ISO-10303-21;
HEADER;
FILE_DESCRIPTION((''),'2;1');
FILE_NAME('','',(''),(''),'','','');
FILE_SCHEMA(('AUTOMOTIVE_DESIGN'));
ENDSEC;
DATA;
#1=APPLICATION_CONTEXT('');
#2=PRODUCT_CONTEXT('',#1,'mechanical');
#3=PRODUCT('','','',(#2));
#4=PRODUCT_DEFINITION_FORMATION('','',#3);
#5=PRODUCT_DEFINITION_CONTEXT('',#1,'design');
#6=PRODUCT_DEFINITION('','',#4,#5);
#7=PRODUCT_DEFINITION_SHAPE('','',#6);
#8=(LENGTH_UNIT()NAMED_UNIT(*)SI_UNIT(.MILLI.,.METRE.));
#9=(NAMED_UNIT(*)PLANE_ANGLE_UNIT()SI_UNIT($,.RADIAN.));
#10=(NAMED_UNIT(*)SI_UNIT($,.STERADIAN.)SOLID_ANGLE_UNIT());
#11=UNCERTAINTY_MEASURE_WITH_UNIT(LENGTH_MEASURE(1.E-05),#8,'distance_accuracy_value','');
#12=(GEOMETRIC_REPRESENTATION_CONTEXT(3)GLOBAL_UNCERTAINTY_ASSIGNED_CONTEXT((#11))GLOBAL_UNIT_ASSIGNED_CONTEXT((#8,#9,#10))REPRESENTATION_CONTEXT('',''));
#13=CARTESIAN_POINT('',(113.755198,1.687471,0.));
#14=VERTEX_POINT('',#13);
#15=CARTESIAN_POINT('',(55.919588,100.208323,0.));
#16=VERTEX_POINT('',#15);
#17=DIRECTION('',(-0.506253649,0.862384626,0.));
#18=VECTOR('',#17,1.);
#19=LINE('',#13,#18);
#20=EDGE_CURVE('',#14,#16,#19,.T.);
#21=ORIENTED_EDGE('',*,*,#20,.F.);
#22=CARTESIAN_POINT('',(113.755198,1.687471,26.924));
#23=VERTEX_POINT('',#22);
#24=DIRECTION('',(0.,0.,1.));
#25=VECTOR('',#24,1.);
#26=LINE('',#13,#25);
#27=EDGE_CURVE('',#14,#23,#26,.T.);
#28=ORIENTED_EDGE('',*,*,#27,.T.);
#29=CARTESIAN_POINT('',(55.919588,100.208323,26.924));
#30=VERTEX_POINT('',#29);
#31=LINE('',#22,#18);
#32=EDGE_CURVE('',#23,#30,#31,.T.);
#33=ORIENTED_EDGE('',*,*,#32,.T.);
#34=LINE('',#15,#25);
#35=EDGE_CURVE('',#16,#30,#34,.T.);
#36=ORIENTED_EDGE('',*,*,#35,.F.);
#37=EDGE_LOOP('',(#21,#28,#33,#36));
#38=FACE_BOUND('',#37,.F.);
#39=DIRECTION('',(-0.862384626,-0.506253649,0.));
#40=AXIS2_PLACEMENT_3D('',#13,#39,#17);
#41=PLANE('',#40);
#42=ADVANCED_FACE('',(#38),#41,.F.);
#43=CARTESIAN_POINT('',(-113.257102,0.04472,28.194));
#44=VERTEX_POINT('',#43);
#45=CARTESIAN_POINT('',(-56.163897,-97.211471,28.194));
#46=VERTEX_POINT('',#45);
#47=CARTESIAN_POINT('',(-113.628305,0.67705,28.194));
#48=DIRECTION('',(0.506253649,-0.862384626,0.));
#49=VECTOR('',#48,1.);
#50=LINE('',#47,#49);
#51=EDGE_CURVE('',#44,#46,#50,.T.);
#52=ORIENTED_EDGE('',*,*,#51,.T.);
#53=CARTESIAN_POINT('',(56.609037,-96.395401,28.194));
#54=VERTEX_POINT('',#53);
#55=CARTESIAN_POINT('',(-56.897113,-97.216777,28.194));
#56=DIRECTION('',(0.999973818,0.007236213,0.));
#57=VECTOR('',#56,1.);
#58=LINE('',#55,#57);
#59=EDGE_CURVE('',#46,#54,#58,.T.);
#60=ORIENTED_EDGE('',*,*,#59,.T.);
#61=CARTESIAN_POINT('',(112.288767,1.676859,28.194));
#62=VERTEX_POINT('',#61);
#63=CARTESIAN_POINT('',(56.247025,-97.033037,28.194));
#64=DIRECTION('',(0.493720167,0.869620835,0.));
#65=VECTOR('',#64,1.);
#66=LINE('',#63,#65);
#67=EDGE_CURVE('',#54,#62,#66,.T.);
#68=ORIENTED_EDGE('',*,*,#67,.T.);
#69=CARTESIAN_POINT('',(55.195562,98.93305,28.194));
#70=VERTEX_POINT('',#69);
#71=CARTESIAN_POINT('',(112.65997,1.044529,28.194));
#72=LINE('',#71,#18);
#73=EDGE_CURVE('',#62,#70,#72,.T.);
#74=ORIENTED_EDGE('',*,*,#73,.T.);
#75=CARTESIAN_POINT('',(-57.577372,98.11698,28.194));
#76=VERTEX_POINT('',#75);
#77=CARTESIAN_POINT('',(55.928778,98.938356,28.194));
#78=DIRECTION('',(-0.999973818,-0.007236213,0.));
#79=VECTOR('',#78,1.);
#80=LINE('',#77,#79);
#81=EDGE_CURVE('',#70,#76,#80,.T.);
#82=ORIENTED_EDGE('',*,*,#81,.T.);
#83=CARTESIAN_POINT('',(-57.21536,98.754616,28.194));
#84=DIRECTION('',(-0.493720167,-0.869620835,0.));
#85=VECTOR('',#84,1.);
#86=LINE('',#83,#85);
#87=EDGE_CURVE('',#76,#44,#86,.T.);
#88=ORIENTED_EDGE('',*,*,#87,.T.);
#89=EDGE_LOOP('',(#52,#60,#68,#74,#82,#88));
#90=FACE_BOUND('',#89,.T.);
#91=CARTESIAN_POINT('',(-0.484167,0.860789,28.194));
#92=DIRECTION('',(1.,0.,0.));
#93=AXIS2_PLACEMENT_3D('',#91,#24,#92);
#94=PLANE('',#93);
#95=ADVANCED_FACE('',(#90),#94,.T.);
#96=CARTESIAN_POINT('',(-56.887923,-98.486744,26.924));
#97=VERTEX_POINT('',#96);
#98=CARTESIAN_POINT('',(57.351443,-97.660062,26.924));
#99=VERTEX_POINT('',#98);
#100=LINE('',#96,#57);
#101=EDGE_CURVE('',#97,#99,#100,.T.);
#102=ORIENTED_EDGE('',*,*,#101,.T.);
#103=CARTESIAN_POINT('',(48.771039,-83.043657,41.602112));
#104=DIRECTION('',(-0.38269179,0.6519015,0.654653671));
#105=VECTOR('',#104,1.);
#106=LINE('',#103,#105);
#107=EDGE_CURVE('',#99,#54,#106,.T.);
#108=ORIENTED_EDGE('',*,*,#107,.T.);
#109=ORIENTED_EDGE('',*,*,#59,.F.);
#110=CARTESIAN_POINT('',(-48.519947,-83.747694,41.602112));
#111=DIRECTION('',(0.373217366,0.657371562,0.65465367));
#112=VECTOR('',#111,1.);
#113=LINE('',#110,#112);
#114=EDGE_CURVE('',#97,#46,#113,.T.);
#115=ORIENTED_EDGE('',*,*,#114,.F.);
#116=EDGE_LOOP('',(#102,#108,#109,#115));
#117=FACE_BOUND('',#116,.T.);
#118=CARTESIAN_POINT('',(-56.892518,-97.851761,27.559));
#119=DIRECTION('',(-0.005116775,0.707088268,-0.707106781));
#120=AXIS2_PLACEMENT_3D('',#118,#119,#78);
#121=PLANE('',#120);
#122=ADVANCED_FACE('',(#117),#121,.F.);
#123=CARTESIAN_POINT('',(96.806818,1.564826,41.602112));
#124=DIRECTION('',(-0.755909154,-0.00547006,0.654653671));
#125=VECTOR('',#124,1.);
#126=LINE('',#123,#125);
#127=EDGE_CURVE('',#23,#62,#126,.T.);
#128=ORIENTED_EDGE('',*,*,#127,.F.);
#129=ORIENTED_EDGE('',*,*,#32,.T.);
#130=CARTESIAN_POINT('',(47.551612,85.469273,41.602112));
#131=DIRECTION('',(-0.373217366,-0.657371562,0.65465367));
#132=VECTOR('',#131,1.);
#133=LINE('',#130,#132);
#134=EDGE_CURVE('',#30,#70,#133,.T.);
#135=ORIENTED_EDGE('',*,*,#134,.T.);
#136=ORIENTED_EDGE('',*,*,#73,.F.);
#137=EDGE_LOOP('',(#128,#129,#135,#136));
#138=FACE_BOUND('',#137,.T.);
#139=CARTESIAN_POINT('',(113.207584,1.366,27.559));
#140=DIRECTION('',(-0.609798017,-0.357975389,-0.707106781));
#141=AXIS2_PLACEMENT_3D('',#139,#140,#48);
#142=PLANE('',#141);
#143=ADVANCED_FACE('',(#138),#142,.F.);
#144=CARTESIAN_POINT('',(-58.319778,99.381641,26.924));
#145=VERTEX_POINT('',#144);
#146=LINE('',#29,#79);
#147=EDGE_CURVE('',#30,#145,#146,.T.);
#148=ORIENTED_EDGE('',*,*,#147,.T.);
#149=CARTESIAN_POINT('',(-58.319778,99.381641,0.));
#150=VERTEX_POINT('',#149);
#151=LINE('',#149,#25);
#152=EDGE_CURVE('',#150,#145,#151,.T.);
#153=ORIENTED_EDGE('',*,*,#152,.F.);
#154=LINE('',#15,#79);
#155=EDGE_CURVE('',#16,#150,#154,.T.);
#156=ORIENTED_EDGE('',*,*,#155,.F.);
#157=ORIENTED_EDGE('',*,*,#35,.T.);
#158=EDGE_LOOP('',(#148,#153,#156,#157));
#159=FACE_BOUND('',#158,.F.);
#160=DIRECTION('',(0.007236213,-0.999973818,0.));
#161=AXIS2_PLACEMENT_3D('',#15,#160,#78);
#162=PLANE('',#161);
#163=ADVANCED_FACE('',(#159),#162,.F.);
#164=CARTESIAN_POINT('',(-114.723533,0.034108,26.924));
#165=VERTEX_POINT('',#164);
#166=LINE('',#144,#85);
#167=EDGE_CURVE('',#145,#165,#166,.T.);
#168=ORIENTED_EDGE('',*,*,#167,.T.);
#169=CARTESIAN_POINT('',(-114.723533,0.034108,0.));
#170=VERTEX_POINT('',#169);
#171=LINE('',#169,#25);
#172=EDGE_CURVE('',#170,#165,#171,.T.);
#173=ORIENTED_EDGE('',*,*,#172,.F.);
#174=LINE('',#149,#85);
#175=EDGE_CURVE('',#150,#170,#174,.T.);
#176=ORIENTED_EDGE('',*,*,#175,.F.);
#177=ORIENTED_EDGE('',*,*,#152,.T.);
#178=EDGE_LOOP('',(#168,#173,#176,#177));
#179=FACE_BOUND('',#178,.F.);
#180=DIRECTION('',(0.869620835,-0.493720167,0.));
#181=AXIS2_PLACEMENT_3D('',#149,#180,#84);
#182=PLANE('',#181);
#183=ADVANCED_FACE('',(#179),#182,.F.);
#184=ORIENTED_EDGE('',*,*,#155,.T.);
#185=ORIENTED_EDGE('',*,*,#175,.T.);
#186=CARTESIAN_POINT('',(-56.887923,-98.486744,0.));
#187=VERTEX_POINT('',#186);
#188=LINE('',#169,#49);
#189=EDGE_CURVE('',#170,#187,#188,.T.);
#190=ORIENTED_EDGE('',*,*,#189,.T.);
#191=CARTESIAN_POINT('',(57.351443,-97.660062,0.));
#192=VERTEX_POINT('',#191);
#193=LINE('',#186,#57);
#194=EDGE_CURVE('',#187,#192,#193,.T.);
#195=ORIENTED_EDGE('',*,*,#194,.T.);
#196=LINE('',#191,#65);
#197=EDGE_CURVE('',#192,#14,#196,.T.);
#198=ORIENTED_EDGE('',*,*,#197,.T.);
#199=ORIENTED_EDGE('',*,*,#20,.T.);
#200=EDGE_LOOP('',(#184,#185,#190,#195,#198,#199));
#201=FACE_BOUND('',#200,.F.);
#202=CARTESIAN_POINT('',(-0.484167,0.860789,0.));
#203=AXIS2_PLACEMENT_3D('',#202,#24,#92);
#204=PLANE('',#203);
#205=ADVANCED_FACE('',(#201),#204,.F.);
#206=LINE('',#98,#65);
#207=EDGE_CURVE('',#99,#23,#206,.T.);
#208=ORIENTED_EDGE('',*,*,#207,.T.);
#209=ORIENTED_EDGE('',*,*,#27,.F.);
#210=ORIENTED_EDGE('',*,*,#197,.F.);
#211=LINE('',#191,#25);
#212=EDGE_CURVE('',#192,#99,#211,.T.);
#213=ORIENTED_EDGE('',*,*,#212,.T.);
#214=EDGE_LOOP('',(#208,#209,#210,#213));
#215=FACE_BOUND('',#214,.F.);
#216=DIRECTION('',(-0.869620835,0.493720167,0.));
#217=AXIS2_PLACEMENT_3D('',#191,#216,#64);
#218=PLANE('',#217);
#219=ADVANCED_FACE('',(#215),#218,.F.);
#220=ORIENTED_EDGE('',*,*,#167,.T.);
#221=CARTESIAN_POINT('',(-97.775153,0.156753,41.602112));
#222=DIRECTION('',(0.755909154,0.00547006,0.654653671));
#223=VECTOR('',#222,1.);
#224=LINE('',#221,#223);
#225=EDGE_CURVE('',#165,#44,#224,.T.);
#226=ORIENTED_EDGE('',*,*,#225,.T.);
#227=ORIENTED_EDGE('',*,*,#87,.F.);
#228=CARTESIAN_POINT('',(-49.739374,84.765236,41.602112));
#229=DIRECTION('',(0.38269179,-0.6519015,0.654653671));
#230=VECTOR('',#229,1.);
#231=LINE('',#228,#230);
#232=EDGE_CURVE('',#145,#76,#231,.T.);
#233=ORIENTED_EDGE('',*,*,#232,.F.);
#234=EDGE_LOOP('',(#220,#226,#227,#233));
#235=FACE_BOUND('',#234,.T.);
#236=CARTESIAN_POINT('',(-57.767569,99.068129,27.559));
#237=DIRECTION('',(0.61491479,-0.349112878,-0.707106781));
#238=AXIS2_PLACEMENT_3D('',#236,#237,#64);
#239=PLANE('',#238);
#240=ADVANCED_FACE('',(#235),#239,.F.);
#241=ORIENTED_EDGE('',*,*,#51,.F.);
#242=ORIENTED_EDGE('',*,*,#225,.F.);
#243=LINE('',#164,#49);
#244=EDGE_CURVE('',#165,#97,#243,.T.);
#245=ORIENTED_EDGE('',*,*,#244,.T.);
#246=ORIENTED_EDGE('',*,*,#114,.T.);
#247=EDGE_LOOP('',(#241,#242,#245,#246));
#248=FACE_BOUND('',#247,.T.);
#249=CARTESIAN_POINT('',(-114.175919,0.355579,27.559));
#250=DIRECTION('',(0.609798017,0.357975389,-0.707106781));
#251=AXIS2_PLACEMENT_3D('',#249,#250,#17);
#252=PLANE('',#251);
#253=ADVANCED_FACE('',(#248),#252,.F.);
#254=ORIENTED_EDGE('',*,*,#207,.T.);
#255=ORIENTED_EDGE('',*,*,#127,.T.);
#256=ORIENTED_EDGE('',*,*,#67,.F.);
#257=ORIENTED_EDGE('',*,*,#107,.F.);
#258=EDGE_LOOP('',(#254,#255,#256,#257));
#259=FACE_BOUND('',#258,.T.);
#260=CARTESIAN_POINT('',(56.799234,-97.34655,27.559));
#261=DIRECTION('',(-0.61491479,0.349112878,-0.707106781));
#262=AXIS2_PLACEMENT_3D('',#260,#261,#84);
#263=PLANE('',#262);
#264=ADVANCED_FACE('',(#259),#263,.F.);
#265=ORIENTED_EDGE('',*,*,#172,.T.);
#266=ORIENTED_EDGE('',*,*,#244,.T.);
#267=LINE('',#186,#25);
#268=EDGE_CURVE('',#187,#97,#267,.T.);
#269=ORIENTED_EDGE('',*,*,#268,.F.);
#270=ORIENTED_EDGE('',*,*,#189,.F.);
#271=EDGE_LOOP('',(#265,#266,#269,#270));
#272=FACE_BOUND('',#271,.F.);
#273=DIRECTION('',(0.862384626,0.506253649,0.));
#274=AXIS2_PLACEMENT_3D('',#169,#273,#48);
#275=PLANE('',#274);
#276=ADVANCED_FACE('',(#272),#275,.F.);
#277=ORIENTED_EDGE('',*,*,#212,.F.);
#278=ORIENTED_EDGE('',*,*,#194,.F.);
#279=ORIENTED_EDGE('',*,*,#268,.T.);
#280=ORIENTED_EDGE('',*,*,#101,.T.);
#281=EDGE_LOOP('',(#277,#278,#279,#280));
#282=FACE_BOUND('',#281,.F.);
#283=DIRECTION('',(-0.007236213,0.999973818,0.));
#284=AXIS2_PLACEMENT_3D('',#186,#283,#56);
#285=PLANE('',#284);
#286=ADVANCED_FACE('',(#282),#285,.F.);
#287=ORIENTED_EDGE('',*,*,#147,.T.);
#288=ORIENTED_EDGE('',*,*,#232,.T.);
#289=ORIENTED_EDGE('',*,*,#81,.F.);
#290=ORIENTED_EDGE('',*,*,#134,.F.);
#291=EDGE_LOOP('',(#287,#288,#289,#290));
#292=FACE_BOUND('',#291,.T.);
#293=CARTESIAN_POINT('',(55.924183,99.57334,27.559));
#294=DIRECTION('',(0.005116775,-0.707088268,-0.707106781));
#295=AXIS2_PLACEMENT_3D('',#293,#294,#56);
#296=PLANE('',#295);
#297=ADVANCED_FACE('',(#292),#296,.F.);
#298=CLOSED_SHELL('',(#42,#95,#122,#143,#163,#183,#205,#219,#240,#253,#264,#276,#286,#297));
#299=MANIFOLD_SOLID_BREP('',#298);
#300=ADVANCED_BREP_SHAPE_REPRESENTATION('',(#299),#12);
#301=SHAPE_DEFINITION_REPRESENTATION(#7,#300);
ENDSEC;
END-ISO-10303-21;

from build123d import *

# Parameters (mm, degrees)
F1_DEPTH = 28.194
F2_SIZE  = 1.27


with BuildPart() as f1:
    # F0 (on Top) → F1 (new body)
    with BuildSketch(Plane.XY):
        Polygon((-58.319778, 99.381641), (-114.723533, 0.034108), (-56.887923, -98.486744), (57.351443, -97.660062), (113.755198, 1.687471), (55.919588, 100.208323), align=None)
    extrude(amount=F1_DEPTH)

    # F2
    f2_edges = [f1.edges().sort_by_distance(p)[0] for p in [
        (-86.521655, 49.707875, 28.194),
        (-85.805728, -49.226318, 28.194),
        (0.23176, -98.073403, 28.194),
        (85.55332, -47.986296, 28.194),
        (84.837393, 50.947897, 28.194),
        (-1.200095, 99.794982, 28.194),
    ]]
    chamfer(f2_edges, length=F2_SIZE)


solid = f1.part
